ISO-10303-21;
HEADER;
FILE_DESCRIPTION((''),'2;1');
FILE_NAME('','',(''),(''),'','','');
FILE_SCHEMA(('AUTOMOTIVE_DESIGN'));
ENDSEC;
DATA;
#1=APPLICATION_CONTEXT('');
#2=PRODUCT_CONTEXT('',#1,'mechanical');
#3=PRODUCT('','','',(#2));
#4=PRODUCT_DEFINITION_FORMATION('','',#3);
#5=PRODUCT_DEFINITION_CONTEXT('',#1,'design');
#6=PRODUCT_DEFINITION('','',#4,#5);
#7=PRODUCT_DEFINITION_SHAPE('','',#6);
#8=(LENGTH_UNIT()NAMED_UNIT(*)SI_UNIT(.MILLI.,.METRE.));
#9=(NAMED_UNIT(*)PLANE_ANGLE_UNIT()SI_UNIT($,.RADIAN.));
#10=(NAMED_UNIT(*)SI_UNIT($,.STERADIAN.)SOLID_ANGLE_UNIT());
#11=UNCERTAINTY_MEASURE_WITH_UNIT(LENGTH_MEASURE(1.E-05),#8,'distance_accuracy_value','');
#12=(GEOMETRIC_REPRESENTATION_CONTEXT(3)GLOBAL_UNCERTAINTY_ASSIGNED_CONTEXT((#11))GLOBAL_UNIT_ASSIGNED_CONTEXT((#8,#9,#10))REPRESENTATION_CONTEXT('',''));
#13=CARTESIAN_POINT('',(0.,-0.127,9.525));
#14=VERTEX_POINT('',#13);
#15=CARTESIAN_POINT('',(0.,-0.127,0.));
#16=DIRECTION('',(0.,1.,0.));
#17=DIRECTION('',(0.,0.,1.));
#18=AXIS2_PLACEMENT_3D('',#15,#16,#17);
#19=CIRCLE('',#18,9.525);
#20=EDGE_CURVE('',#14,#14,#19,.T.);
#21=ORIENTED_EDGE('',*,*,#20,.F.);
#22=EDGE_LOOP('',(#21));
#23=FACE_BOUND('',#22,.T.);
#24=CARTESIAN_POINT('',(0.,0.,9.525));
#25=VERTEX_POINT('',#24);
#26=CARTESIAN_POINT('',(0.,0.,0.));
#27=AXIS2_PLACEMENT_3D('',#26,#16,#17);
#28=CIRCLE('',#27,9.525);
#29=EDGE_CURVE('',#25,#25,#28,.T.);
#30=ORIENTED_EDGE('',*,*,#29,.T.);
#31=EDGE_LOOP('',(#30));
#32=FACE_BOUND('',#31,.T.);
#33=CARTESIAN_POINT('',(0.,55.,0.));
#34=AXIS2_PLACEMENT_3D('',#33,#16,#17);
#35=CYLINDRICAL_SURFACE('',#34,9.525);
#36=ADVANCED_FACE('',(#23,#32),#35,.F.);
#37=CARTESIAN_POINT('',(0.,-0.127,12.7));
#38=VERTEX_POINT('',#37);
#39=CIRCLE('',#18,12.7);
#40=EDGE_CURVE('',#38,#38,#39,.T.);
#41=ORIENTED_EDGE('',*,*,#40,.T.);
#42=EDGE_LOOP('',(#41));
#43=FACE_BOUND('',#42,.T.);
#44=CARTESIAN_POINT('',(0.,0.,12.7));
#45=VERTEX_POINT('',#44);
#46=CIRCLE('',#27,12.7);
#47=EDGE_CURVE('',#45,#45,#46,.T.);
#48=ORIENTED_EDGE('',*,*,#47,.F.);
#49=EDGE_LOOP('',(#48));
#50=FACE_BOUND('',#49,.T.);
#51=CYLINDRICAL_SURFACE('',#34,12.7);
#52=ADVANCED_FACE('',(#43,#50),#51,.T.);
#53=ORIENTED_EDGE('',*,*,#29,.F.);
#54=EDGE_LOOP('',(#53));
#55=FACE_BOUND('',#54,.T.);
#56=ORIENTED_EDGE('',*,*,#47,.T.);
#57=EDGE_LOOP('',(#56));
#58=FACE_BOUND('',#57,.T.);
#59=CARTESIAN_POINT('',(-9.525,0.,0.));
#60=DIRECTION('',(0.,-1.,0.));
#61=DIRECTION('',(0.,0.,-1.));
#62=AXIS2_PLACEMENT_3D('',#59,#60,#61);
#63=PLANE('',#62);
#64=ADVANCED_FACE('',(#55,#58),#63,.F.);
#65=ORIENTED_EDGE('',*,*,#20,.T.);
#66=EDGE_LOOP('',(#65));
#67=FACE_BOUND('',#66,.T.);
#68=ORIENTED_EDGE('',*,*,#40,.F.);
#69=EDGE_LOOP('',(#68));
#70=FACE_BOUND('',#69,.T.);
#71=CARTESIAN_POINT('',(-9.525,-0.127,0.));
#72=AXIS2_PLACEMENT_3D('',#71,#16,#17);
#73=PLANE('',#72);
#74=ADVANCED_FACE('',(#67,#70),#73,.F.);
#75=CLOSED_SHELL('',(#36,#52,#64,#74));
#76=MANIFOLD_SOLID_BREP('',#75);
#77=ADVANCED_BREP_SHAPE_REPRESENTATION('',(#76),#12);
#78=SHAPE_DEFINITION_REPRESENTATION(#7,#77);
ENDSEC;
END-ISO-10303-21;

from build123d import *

# Parameters (mm, degrees)
SKETCH2_W = 3.175
SKETCH2_H = 0.127


with BuildPart() as part:
    # Sketch2 → Revolve1 (revolve)
    with BuildSketch(Plane(origin=(0, 0, 0), x_dir=(1, 0, 0), z_dir=(0, 0, -1))):
        with Locations((-11.1125, 0.0635)):
            Rectangle(SKETCH2_W, SKETCH2_H)
    revolve(axis=Axis((0, 55, 0), (0, -1, 0)))


solid = part.part
